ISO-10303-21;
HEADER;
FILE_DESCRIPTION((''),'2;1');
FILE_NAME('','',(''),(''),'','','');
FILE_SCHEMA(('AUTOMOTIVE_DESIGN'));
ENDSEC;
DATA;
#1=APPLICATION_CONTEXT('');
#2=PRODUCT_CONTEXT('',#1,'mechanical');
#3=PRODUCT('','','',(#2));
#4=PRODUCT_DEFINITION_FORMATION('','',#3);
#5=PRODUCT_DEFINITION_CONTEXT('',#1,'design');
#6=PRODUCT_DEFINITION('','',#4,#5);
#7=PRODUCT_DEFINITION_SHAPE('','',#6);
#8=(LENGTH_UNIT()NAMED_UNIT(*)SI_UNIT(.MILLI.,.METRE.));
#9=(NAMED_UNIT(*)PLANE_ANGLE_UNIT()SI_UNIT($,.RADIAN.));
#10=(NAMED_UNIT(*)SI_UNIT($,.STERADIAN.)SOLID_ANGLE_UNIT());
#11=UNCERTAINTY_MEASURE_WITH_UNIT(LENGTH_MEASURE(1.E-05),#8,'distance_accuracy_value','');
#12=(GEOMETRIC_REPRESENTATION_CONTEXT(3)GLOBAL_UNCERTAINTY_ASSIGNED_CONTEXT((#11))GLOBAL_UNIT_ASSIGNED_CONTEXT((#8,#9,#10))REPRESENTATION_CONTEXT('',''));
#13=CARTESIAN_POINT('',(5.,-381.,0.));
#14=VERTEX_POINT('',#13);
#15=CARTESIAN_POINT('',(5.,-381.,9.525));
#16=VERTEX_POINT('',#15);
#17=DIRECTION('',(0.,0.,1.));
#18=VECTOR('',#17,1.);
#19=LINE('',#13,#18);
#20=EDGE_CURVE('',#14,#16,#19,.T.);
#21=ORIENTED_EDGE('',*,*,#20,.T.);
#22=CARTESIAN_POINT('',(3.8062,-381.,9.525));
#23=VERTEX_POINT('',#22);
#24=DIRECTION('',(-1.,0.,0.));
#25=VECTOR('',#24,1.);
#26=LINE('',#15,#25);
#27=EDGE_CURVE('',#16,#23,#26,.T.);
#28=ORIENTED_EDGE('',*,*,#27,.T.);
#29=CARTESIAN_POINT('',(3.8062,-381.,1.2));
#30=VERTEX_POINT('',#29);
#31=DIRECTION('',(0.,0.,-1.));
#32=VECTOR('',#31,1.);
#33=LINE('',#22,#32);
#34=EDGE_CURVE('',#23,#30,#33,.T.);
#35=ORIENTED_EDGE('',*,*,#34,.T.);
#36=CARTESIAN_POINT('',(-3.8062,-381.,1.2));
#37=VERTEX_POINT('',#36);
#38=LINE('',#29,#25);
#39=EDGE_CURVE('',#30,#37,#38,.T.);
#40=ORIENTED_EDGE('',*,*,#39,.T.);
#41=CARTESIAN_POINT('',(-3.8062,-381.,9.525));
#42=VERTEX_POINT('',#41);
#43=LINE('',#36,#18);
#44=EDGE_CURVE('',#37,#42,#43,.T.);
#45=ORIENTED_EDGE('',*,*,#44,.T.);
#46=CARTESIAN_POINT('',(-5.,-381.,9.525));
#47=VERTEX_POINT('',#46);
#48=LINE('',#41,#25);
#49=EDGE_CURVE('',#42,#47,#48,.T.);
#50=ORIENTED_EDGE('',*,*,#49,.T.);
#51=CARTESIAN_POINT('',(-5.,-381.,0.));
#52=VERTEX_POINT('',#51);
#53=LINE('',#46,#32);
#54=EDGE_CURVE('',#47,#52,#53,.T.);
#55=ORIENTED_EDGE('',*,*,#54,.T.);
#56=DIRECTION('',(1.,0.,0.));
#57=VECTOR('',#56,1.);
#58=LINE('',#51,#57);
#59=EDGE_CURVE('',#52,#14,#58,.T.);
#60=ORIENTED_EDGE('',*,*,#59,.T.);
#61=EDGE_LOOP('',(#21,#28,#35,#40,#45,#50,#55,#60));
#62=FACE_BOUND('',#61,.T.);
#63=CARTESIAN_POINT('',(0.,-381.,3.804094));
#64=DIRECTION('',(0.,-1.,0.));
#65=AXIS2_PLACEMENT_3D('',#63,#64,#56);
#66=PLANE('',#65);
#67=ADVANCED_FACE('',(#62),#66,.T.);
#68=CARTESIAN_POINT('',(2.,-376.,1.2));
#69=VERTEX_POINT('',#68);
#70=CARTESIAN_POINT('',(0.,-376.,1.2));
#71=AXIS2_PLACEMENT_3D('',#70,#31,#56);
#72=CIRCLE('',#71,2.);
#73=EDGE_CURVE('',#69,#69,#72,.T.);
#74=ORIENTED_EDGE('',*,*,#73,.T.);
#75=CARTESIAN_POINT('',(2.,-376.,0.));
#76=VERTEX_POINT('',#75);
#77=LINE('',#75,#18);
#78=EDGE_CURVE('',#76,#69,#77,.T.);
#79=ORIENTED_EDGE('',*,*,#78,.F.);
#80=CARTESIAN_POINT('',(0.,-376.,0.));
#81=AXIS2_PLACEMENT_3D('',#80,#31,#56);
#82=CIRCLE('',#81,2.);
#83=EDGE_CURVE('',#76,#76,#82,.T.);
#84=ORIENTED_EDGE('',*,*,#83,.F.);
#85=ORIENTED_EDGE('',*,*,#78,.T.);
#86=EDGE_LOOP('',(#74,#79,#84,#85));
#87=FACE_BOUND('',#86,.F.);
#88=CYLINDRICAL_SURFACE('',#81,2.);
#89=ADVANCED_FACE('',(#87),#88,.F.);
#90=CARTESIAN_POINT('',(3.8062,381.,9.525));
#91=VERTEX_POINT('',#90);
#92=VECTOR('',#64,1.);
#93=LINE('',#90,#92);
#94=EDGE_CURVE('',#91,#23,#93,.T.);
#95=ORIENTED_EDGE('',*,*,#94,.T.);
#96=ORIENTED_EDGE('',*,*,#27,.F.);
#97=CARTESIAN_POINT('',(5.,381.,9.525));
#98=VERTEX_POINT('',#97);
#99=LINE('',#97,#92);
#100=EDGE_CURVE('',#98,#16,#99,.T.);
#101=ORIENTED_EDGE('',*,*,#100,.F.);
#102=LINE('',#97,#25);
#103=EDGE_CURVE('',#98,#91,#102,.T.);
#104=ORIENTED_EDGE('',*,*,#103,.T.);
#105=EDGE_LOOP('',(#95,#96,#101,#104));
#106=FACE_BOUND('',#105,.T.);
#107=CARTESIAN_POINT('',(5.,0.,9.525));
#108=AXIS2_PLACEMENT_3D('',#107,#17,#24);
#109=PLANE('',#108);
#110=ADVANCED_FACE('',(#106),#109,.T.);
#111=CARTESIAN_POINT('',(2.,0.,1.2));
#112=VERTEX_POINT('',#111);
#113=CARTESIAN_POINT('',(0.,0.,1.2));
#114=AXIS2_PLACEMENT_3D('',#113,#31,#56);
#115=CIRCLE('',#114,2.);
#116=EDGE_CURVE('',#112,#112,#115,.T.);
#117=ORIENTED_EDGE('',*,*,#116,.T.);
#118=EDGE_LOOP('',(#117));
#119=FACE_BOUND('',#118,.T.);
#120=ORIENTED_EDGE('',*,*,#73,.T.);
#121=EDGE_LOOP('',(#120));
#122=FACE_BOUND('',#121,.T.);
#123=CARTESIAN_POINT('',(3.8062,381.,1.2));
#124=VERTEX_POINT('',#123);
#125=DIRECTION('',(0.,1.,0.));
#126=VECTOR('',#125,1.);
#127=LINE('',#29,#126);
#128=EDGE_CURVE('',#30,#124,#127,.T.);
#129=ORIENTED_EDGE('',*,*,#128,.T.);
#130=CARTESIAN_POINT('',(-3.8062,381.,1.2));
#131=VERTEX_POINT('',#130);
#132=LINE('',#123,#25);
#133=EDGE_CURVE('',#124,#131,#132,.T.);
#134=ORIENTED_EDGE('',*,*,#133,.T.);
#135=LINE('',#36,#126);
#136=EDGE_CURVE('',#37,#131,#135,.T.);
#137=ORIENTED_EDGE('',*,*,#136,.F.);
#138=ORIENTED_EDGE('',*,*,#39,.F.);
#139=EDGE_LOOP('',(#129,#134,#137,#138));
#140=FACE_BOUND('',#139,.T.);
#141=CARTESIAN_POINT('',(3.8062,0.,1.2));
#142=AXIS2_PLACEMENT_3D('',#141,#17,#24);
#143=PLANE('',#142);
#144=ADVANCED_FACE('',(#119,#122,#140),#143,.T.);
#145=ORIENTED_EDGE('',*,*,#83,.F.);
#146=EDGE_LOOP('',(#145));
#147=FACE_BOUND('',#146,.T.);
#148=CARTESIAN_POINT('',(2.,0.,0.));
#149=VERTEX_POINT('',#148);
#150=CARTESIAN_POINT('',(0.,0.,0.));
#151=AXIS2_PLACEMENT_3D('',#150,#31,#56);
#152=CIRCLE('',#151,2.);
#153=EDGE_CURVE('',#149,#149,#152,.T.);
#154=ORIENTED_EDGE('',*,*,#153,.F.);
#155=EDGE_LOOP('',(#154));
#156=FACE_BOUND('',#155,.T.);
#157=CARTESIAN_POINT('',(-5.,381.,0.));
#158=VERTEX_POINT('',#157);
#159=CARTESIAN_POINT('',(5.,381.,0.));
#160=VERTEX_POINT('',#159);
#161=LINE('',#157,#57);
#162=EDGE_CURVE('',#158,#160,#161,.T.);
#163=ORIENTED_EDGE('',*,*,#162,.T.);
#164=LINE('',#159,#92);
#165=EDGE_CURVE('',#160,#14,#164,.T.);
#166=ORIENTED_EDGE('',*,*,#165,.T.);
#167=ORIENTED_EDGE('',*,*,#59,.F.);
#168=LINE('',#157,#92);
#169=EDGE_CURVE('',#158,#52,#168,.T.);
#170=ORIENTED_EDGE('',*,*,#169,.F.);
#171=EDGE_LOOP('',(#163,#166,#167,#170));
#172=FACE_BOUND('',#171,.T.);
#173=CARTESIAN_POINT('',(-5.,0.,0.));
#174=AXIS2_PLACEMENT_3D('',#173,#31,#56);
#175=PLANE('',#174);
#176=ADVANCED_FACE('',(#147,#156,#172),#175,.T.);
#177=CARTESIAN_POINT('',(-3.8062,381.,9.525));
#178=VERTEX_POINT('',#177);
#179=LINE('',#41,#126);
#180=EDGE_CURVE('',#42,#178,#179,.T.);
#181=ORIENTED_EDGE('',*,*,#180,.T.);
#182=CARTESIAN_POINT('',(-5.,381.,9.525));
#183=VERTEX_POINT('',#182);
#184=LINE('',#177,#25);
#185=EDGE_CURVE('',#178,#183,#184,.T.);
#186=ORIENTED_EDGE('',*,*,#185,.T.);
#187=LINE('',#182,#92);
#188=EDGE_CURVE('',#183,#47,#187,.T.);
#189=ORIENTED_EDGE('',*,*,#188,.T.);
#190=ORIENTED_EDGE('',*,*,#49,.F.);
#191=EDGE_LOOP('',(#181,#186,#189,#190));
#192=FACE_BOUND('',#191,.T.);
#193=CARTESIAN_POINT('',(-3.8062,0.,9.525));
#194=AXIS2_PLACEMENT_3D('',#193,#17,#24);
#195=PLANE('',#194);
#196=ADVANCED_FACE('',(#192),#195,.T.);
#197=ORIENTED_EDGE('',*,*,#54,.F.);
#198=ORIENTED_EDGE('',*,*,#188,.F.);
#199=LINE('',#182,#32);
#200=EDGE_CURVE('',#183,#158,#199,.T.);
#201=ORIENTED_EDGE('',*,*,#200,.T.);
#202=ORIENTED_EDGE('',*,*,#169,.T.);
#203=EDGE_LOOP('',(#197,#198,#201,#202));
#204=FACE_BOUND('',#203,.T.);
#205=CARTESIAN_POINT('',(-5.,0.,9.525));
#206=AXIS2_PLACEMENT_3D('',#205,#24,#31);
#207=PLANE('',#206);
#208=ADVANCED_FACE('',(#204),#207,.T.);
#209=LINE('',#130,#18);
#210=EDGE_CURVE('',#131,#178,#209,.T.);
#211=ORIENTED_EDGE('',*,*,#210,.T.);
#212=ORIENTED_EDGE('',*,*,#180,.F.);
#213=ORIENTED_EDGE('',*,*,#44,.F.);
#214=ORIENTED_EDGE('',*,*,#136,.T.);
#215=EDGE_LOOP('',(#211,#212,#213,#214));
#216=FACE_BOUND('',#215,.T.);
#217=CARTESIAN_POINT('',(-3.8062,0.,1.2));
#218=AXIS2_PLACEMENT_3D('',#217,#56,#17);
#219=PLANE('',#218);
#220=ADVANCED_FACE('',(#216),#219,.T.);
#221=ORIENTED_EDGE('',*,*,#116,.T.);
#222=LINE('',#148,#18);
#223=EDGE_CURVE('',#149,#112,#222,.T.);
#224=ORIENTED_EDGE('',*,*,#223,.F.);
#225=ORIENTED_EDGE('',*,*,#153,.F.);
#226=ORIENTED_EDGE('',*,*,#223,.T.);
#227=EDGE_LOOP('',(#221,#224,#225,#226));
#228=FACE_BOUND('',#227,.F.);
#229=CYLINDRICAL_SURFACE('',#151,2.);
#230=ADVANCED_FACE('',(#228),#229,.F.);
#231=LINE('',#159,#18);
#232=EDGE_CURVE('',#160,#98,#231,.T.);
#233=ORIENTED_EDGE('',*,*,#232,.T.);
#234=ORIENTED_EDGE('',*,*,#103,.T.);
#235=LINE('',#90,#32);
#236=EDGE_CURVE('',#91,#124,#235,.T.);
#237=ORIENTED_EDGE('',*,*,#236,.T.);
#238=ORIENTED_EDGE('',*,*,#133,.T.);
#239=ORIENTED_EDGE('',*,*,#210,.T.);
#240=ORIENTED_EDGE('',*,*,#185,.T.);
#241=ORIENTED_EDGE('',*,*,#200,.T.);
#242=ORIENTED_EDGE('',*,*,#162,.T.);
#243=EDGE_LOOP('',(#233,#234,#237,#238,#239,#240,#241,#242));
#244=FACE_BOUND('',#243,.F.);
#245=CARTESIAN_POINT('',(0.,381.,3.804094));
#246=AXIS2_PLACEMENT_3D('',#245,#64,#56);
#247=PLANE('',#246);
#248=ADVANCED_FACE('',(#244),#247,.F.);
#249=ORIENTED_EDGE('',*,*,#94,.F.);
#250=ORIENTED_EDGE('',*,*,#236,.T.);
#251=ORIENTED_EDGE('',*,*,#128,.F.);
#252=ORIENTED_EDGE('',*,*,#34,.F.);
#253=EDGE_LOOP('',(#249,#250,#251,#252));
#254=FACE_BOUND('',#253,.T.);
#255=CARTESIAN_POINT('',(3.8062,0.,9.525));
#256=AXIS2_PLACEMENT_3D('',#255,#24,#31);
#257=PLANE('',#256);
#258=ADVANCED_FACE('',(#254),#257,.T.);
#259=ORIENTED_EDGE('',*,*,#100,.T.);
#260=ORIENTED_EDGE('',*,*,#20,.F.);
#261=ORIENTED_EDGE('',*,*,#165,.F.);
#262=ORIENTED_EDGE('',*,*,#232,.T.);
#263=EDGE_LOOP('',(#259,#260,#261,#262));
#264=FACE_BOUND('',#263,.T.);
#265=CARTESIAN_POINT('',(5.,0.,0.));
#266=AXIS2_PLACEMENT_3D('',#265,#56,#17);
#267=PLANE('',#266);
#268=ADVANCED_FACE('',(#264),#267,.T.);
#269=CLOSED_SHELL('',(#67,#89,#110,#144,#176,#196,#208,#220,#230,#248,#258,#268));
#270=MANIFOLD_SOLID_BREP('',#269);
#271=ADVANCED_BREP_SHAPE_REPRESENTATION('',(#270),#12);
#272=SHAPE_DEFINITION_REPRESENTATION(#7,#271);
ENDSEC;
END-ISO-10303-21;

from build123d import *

# Parameters (mm, degrees)
F1_DEPTH      = 381
F1_DEPTH_BACK = 381
F2_R          = 2
F3_DEPTH      = 1.2
F4_R          = 2
F5_DEPTH      = 9.526


with BuildPart() as f1:
    # F0 (on Front) → F1 (new body, two sides)
    with BuildSketch(Plane.XZ) as f1_sk:
        Polygon((-3.8062, 9.525), (-5, 9.525), (-5, 0), (0, 0), (5, 0), (5, 9.525), (3.8062, 9.525), (3.8062, 1.2), (-3.8062, 1.2), align=None)
    extrude(amount=F1_DEPTH)
    extrude(f1_sk.sketch, amount=-F1_DEPTH_BACK)

    # F2 (on face) → F3 (cut, through all)
    with BuildSketch(Plane(origin=(0, 0, 0), x_dir=(1, 0, 0), z_dir=(0, 0, -1))):
        Circle(F2_R)
    extrude(amount=-F3_DEPTH, mode=Mode.SUBTRACT)

    # F4 (on face) → F5 (cut, through all)
    with BuildSketch(Plane(origin=(0, 0, 0), x_dir=(1, 0, 0), z_dir=(0, 0, -1))):
        with Locations((0, 376)):
            Circle(F4_R)
    extrude(amount=-F5_DEPTH, mode=Mode.SUBTRACT)


solid = f1.part
